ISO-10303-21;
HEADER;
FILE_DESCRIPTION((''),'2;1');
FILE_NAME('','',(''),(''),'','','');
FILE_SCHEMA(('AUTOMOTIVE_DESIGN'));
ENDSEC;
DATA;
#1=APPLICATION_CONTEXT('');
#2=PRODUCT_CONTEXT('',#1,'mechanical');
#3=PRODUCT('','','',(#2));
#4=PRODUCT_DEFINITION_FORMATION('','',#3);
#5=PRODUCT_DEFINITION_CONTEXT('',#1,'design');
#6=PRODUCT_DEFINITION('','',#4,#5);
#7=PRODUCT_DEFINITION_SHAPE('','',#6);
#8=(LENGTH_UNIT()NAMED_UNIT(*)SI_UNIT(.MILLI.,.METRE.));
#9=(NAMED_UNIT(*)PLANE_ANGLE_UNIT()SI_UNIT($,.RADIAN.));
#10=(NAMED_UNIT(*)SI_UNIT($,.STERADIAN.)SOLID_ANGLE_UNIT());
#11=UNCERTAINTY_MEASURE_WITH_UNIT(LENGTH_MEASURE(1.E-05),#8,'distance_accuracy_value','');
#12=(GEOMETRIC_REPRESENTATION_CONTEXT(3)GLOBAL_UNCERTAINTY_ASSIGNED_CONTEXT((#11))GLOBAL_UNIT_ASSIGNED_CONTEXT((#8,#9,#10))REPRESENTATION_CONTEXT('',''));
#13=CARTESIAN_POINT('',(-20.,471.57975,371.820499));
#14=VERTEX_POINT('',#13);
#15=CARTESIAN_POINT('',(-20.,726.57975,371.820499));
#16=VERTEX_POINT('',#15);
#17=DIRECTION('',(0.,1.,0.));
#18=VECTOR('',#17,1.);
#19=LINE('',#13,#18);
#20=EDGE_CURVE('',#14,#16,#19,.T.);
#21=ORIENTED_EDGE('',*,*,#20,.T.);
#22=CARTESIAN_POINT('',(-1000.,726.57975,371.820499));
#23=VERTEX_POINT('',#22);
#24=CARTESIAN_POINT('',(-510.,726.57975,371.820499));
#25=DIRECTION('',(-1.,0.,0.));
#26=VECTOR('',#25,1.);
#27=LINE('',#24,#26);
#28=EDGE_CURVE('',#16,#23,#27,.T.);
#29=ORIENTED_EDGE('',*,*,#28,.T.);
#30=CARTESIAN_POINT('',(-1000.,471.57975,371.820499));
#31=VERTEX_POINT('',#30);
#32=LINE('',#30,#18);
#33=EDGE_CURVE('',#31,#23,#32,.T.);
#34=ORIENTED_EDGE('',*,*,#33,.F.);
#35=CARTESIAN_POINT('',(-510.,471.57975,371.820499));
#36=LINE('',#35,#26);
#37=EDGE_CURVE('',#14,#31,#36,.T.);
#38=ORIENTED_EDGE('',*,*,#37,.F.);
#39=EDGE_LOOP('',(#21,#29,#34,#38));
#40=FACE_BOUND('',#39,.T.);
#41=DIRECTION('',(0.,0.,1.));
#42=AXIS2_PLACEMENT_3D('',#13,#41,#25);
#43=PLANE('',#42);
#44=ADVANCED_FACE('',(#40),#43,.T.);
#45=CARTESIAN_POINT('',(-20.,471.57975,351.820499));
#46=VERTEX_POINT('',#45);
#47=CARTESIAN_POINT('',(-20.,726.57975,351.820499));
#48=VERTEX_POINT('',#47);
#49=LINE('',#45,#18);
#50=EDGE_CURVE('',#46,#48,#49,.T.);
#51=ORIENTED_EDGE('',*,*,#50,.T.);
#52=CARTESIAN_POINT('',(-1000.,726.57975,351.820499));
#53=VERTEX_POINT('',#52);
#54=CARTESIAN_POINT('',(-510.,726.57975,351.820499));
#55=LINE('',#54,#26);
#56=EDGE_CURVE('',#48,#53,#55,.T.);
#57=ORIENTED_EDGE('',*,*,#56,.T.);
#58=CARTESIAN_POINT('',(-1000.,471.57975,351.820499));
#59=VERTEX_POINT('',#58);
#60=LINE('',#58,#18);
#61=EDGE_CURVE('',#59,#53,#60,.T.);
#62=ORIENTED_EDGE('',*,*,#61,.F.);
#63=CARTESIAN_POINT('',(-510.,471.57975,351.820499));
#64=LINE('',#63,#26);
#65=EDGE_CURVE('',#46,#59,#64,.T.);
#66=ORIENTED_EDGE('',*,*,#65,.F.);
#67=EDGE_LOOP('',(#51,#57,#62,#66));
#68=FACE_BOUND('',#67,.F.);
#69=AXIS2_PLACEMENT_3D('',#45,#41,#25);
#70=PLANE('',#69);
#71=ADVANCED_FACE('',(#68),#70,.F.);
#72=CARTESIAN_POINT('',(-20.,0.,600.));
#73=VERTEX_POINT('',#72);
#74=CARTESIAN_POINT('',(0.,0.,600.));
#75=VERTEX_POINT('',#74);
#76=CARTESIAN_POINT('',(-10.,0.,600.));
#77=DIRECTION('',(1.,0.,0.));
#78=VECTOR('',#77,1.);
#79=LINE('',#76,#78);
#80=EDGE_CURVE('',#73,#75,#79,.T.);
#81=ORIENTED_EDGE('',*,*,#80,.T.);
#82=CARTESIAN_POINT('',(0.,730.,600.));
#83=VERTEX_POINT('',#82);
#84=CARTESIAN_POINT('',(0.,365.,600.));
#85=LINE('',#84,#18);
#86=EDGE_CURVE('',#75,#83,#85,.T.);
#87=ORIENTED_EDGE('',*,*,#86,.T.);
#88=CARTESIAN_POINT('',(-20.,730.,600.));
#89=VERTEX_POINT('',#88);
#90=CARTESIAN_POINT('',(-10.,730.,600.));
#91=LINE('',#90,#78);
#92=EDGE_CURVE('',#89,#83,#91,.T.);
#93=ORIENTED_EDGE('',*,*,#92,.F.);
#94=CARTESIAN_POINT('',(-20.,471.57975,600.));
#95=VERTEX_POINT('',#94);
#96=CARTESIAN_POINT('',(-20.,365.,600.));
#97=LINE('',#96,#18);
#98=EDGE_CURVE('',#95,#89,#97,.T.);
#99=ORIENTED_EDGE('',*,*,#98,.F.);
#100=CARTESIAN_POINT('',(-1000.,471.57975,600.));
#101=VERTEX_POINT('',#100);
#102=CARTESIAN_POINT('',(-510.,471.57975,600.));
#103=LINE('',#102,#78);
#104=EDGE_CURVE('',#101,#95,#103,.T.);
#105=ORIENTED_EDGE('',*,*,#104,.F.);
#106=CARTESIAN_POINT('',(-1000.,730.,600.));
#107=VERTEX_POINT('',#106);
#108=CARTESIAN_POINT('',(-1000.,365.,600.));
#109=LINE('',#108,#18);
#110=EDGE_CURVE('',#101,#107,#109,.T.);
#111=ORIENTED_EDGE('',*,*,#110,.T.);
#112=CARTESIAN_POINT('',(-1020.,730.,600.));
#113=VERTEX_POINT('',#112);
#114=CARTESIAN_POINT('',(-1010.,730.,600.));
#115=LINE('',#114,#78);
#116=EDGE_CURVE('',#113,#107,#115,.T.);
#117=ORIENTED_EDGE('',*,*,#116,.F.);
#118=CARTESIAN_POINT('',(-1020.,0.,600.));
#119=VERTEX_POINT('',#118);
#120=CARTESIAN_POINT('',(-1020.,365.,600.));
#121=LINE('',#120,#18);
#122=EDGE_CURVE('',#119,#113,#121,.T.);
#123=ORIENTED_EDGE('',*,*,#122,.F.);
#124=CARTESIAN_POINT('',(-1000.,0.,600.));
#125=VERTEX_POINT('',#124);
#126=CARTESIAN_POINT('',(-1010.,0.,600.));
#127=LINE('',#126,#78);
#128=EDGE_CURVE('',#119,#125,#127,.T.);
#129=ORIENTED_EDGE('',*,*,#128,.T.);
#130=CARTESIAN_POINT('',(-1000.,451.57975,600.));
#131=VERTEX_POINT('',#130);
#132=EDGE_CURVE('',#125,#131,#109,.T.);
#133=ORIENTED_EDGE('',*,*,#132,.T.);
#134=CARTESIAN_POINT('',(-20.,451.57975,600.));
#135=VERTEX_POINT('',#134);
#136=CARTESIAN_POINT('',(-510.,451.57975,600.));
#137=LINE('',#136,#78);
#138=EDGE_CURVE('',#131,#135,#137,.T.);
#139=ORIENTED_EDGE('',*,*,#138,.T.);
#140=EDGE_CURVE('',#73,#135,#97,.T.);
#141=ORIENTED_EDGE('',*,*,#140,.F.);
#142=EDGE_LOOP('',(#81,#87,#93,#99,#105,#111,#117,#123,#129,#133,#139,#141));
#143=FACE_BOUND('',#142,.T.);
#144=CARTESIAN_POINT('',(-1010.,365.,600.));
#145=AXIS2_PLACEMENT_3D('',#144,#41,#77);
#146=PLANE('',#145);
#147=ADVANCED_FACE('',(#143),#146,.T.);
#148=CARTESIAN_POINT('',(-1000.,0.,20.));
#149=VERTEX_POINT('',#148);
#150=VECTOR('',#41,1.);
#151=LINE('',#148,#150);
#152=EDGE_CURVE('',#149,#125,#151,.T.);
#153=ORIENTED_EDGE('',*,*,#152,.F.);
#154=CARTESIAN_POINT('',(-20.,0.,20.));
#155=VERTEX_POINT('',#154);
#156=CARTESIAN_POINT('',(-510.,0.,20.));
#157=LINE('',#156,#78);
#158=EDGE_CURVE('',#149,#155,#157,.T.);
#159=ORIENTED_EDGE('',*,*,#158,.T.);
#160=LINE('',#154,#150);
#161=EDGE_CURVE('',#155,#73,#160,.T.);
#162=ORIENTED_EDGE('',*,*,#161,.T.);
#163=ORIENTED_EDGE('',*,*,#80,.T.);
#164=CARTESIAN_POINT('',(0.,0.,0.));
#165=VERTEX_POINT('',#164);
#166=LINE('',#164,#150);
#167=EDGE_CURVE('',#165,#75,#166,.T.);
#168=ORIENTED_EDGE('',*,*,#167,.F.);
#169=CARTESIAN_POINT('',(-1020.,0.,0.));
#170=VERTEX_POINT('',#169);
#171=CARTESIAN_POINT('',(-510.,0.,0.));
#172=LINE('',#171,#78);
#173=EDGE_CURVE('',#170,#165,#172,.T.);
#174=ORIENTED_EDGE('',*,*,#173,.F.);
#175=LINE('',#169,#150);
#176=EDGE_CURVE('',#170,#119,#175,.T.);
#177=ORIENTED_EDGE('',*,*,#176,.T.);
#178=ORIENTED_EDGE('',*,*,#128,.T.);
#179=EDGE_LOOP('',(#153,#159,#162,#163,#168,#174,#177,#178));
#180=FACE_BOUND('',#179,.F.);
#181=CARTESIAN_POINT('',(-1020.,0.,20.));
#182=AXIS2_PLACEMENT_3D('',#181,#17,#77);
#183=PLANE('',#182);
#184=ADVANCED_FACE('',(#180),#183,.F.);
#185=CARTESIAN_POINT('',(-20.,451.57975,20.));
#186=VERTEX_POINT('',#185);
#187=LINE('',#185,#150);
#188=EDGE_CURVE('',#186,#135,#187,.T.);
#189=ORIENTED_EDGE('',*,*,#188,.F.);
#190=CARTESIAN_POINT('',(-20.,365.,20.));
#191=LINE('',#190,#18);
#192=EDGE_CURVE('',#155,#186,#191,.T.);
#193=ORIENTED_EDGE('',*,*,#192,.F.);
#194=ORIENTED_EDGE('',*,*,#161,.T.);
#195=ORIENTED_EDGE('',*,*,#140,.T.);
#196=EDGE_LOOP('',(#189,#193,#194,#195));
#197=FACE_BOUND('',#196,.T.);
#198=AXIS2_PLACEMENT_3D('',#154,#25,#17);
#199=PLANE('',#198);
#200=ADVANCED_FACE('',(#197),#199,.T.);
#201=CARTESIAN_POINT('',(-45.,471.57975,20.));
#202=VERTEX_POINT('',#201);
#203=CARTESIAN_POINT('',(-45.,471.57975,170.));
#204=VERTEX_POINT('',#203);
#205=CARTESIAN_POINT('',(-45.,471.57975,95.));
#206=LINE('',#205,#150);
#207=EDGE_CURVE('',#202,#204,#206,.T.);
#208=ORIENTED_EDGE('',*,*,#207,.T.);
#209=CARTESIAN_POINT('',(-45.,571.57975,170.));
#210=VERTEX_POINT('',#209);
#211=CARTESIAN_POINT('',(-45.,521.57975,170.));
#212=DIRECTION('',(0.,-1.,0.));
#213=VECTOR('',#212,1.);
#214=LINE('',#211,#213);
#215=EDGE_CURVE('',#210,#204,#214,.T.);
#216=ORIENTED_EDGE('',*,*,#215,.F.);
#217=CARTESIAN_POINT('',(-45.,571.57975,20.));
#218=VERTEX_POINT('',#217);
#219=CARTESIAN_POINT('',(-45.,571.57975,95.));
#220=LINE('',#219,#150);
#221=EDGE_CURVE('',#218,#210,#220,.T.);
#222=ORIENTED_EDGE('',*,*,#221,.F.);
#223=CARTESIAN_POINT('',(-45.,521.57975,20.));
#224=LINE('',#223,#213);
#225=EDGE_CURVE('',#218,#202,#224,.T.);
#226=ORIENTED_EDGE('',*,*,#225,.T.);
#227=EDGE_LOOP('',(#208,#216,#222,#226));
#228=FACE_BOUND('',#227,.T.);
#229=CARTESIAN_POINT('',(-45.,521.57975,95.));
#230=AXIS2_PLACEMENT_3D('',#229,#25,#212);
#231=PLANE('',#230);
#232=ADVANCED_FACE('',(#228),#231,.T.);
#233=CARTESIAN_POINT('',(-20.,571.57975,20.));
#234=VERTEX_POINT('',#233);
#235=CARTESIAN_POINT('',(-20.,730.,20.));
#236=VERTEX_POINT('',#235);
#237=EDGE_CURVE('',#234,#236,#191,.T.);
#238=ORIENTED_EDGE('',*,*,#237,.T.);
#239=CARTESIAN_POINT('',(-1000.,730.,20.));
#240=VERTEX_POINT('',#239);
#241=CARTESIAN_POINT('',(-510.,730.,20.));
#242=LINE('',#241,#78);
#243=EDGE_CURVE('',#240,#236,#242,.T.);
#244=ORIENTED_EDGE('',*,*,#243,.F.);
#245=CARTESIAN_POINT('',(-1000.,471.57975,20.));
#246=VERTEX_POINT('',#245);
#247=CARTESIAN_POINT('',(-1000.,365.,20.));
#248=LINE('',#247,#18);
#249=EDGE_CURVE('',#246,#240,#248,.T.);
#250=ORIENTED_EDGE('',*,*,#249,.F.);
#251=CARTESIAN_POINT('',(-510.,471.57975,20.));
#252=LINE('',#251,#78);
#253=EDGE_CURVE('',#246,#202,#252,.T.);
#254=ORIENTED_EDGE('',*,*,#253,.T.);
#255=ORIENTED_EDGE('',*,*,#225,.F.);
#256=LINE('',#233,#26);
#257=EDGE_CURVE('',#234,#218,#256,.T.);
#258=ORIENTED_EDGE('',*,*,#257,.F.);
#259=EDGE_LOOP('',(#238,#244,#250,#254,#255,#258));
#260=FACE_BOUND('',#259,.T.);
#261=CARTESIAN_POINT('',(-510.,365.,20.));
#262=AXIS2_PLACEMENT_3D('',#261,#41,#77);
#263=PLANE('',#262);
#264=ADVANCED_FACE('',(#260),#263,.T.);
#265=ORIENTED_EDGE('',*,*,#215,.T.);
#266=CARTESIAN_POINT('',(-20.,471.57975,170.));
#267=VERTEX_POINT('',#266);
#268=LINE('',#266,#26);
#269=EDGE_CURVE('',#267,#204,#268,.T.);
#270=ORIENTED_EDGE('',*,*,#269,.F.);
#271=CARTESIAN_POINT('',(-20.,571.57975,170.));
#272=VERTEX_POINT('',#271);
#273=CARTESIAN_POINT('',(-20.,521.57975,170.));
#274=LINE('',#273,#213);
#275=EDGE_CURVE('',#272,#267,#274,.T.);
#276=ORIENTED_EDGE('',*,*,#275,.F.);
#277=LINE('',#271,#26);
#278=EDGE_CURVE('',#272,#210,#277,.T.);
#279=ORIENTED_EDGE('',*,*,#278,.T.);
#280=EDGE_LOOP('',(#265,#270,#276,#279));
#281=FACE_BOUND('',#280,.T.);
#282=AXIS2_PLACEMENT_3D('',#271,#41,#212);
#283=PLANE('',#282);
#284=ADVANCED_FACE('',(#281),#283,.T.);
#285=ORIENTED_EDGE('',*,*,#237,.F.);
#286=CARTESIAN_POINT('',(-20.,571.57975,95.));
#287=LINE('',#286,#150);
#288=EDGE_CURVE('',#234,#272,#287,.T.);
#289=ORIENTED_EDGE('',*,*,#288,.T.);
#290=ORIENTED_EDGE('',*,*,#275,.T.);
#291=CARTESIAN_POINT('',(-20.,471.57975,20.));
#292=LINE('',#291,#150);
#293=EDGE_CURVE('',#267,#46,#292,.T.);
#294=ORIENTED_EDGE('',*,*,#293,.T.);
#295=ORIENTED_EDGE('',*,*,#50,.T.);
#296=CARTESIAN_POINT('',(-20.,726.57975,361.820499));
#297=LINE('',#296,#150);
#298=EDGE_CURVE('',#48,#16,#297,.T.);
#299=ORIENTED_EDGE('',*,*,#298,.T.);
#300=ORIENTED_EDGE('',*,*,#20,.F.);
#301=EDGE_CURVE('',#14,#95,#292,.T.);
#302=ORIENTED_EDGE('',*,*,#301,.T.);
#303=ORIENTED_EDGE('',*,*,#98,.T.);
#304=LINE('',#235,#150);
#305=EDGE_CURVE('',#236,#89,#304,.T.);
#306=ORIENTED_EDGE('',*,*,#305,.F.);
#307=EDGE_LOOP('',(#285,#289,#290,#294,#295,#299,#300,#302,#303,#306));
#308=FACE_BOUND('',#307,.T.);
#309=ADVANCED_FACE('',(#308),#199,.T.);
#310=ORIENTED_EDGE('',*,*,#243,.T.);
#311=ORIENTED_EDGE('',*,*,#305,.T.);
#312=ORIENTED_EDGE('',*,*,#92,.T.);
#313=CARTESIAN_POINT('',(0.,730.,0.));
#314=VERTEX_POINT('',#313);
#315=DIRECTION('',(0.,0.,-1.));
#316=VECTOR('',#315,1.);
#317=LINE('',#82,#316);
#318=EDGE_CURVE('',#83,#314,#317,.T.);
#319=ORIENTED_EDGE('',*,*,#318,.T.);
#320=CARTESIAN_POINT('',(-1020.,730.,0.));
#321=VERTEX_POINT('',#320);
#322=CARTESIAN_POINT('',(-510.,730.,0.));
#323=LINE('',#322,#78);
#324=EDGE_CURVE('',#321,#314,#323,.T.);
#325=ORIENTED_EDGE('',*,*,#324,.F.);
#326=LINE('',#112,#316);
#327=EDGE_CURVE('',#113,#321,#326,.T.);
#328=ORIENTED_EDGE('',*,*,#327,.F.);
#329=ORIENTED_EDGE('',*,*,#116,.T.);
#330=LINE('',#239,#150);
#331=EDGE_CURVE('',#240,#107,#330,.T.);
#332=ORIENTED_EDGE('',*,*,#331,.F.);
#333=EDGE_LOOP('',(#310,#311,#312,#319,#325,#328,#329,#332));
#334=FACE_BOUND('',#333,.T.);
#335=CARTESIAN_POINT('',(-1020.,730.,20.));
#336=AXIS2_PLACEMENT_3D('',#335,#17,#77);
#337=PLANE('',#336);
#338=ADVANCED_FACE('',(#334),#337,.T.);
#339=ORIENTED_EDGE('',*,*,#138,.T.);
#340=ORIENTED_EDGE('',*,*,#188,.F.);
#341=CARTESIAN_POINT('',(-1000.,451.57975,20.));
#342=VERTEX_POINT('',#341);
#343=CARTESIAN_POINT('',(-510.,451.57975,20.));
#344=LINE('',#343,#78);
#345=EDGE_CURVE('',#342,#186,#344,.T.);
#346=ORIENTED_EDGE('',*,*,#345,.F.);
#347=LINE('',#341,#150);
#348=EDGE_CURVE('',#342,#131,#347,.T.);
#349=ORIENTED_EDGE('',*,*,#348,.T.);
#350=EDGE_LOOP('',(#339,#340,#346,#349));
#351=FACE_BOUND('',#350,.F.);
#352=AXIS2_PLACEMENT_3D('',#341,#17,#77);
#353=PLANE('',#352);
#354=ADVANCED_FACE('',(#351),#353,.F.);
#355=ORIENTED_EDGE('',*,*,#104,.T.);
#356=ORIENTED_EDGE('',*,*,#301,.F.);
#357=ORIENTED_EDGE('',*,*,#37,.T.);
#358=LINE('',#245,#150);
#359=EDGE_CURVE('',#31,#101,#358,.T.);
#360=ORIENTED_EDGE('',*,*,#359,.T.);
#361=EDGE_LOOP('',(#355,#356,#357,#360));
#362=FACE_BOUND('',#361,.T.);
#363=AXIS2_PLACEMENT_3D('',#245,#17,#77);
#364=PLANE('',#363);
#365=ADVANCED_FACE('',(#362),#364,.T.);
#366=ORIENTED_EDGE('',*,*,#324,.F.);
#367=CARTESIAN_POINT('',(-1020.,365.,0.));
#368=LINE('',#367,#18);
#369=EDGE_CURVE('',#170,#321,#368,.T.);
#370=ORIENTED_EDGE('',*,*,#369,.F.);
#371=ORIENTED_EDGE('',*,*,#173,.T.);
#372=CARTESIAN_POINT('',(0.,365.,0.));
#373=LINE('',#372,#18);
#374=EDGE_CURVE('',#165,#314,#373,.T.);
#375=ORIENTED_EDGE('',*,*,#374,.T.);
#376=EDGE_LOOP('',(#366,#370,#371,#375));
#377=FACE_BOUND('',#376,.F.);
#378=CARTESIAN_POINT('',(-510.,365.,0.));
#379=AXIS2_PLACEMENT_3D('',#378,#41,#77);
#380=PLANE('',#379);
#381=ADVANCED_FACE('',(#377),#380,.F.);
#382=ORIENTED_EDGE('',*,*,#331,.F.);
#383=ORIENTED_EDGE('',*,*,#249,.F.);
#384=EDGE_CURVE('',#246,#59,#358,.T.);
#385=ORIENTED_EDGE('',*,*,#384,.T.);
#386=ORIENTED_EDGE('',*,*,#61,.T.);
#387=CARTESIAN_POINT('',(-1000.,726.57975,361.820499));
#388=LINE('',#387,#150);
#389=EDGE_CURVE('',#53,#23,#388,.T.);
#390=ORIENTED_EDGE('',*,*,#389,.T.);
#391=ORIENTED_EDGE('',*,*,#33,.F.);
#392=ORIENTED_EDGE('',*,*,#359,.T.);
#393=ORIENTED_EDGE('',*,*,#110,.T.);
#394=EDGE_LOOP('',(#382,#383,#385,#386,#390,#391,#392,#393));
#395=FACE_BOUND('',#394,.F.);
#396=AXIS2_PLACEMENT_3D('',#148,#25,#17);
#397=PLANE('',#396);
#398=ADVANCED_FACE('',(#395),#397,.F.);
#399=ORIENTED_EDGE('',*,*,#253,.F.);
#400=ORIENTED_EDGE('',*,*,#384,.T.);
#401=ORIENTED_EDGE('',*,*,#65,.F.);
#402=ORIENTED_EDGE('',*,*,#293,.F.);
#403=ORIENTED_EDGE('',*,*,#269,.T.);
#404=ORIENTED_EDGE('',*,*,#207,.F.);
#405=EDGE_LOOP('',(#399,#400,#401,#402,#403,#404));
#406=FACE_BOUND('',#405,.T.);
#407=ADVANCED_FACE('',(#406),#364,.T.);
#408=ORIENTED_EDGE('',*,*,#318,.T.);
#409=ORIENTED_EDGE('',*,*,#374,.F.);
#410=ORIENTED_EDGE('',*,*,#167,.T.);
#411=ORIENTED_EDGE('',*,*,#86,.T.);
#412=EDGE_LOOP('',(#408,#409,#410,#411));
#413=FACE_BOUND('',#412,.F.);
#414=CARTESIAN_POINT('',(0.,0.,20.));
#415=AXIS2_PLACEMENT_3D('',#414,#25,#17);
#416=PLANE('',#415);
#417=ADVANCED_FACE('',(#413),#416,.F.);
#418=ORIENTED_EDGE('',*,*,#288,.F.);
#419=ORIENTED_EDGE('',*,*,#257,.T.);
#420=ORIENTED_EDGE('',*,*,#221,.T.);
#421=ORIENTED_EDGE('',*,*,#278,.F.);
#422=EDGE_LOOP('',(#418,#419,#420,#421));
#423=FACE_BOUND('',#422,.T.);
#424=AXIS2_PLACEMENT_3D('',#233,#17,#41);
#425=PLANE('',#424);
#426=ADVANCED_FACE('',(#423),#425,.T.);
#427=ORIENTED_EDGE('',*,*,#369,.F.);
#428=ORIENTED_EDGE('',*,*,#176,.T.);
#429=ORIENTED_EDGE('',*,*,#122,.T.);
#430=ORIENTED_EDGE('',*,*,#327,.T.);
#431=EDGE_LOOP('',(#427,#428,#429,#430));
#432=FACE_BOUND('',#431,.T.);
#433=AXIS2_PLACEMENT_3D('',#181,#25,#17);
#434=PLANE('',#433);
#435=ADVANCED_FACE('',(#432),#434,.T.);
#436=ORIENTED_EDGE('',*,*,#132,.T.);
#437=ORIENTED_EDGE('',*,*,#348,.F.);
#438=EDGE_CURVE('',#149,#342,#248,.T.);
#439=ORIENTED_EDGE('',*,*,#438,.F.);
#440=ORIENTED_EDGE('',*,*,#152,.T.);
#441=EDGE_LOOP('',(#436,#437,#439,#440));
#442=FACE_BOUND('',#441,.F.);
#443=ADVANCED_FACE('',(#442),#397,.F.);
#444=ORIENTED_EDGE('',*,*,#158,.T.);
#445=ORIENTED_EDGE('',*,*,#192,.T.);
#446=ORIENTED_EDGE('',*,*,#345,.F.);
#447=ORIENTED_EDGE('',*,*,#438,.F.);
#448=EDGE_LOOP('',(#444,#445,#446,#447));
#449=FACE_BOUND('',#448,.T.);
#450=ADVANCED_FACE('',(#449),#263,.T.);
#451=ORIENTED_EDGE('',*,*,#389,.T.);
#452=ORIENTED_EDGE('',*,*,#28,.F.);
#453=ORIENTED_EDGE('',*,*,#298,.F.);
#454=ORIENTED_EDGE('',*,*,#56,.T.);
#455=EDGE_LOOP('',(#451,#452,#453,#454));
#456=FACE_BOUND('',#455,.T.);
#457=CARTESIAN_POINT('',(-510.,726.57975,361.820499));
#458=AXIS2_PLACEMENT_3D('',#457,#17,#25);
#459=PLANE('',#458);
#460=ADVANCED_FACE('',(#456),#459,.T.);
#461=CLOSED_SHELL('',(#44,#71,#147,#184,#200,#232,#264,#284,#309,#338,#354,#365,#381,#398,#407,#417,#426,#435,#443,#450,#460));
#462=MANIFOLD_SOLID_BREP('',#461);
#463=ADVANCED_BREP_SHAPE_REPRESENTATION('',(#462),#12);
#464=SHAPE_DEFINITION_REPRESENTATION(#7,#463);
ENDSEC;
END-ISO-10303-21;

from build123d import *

# Parameters (mm, degrees)
F0_W      = 1020
F0_H      = 730
F1_DEPTH  = 20
F2_W      = 20
F2_H      = 730
F3_DEPTH  = 580
F4_W      = 20
F4_H      = 730
F5_DEPTH  = 580
F6_W      = 980
F6_H      = 20
F7_DEPTH  = 580
F8_W      = 980
F8_H      = 20
F9_DEPTH  = 255
F10_W     = 100
F10_H     = 150
F11_DEPTH = 25


with BuildPart() as f1:
    # F0 (on Top) → F1 (new body)
    with BuildSketch(Plane.XY):
        with Locations((-510, 365)):
            Rectangle(F0_W, F0_H)
    extrude(amount=F1_DEPTH)

    # F2 (on face) → F3 (join)
    with BuildSketch(Plane.XY.offset(20)):
        with Locations((-10, 365)):
            Rectangle(F2_W, F2_H)
    extrude(amount=F3_DEPTH)

    # F4 (on face) → F5 (join)
    with BuildSketch(Plane.XY.offset(20)):
        with Locations((-1010, 365)):
            Rectangle(F4_W, F4_H)
    extrude(amount=F5_DEPTH)

    # F6 (on face) → F7 (join)
    with BuildSketch(Plane.XY.offset(20)):
        with Locations((-510, 461.57975)):
            Rectangle(F6_W, F6_H)
    extrude(amount=F7_DEPTH)

    # F8 (on face) → F9 (join)
    with BuildSketch(Plane(origin=(0, 471.57975, 0), x_dir=(-1, 0, 0), z_dir=(0, 1, 0))):
        with Locations((510, 361.820499)):
            Rectangle(F8_W, F8_H)
    extrude(amount=F9_DEPTH)

    # F10 (on face) → F11 (join)
    with BuildSketch(Plane(origin=(-20, 0, 0), x_dir=(0, -1, 0), z_dir=(-1, 0, 0))):
        with Locations((-521.57975, 95)):
            Rectangle(F10_W, F10_H)
    extrude(amount=F11_DEPTH)


solid = f1.part
